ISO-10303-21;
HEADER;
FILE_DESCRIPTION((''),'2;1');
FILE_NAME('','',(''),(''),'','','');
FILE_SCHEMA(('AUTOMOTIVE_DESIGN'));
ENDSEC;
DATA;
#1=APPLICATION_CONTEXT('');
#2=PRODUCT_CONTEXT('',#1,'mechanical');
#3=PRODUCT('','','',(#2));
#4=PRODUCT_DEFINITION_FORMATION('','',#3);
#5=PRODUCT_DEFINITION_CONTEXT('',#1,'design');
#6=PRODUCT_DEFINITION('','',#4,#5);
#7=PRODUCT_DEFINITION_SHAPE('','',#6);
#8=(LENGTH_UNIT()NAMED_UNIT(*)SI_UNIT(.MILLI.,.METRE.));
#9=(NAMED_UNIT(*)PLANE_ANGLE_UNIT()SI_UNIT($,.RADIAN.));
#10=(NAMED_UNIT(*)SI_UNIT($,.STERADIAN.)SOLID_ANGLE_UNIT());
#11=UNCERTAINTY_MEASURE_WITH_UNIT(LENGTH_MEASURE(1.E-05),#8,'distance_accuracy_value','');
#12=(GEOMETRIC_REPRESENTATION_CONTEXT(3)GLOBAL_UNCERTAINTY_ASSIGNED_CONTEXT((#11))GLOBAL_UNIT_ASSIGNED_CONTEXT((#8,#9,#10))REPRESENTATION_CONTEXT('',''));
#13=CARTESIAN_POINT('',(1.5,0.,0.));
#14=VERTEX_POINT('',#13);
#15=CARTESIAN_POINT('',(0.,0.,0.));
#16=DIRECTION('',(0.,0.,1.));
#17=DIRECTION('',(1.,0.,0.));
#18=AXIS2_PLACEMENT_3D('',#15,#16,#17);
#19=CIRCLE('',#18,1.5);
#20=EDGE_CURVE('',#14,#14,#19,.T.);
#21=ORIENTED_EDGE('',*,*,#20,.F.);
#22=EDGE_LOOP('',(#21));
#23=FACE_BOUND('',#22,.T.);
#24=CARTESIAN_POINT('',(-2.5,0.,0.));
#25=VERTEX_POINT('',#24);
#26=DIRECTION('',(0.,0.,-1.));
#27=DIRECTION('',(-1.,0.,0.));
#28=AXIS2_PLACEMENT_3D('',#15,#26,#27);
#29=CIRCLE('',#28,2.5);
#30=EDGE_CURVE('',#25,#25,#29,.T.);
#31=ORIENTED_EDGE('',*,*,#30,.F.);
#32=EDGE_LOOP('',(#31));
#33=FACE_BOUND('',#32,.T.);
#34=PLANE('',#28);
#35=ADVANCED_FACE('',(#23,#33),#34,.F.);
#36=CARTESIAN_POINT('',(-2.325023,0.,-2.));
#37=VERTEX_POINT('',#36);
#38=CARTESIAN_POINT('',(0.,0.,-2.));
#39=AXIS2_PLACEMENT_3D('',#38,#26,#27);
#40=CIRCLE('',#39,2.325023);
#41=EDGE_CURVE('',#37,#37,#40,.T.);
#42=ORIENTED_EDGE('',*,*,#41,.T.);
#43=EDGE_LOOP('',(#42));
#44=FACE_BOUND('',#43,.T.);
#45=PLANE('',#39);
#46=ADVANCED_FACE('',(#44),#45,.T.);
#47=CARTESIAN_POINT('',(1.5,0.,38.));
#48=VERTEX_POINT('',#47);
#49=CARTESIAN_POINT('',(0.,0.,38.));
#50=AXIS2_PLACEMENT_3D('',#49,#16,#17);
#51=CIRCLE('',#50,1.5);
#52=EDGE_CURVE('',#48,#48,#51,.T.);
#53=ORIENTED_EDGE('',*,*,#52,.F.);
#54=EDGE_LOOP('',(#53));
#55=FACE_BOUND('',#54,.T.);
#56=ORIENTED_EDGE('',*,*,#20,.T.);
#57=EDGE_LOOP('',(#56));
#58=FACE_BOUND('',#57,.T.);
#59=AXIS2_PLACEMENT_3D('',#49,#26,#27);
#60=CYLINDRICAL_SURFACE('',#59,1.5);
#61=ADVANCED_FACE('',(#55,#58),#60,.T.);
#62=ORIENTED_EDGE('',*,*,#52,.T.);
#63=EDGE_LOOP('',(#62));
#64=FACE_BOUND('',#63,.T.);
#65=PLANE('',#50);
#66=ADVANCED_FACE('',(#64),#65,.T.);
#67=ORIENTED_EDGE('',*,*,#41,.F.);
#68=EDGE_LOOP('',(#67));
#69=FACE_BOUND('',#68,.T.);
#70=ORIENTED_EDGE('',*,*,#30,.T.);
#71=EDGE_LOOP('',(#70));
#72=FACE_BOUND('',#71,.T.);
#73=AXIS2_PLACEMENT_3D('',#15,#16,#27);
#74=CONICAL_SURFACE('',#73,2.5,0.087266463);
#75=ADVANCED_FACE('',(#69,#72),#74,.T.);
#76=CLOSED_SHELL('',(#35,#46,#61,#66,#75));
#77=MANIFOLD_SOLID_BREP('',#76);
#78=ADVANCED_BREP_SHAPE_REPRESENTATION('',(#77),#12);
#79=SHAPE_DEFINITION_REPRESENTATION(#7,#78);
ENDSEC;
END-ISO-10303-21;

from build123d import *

# Parameters (mm, degrees)
ESQUISSE1_R        = 1.5
BOSS_EXTRU_1_DEPTH = 38
ESQUISSE2_R        = 2.5
BOSS_EXTRU_2_DEPTH = 2
BOSS_EXTRU_2_TAPER = 5


with BuildPart() as part:
    # Esquisse1 → Boss.-Extru.1 (new body)
    with BuildSketch(Plane.XY):
        Circle(ESQUISSE1_R)
    extrude(amount=BOSS_EXTRU_1_DEPTH)

    # Esquisse2 → Boss.-Extru.2 (add)
    with BuildSketch(Plane(origin=(0, 0, 0), x_dir=(-1, 0, 0), z_dir=(0, 0, -1))):
        Circle(ESQUISSE2_R)
    extrude(amount=BOSS_EXTRU_2_DEPTH, taper=BOSS_EXTRU_2_TAPER)


solid = part.part
